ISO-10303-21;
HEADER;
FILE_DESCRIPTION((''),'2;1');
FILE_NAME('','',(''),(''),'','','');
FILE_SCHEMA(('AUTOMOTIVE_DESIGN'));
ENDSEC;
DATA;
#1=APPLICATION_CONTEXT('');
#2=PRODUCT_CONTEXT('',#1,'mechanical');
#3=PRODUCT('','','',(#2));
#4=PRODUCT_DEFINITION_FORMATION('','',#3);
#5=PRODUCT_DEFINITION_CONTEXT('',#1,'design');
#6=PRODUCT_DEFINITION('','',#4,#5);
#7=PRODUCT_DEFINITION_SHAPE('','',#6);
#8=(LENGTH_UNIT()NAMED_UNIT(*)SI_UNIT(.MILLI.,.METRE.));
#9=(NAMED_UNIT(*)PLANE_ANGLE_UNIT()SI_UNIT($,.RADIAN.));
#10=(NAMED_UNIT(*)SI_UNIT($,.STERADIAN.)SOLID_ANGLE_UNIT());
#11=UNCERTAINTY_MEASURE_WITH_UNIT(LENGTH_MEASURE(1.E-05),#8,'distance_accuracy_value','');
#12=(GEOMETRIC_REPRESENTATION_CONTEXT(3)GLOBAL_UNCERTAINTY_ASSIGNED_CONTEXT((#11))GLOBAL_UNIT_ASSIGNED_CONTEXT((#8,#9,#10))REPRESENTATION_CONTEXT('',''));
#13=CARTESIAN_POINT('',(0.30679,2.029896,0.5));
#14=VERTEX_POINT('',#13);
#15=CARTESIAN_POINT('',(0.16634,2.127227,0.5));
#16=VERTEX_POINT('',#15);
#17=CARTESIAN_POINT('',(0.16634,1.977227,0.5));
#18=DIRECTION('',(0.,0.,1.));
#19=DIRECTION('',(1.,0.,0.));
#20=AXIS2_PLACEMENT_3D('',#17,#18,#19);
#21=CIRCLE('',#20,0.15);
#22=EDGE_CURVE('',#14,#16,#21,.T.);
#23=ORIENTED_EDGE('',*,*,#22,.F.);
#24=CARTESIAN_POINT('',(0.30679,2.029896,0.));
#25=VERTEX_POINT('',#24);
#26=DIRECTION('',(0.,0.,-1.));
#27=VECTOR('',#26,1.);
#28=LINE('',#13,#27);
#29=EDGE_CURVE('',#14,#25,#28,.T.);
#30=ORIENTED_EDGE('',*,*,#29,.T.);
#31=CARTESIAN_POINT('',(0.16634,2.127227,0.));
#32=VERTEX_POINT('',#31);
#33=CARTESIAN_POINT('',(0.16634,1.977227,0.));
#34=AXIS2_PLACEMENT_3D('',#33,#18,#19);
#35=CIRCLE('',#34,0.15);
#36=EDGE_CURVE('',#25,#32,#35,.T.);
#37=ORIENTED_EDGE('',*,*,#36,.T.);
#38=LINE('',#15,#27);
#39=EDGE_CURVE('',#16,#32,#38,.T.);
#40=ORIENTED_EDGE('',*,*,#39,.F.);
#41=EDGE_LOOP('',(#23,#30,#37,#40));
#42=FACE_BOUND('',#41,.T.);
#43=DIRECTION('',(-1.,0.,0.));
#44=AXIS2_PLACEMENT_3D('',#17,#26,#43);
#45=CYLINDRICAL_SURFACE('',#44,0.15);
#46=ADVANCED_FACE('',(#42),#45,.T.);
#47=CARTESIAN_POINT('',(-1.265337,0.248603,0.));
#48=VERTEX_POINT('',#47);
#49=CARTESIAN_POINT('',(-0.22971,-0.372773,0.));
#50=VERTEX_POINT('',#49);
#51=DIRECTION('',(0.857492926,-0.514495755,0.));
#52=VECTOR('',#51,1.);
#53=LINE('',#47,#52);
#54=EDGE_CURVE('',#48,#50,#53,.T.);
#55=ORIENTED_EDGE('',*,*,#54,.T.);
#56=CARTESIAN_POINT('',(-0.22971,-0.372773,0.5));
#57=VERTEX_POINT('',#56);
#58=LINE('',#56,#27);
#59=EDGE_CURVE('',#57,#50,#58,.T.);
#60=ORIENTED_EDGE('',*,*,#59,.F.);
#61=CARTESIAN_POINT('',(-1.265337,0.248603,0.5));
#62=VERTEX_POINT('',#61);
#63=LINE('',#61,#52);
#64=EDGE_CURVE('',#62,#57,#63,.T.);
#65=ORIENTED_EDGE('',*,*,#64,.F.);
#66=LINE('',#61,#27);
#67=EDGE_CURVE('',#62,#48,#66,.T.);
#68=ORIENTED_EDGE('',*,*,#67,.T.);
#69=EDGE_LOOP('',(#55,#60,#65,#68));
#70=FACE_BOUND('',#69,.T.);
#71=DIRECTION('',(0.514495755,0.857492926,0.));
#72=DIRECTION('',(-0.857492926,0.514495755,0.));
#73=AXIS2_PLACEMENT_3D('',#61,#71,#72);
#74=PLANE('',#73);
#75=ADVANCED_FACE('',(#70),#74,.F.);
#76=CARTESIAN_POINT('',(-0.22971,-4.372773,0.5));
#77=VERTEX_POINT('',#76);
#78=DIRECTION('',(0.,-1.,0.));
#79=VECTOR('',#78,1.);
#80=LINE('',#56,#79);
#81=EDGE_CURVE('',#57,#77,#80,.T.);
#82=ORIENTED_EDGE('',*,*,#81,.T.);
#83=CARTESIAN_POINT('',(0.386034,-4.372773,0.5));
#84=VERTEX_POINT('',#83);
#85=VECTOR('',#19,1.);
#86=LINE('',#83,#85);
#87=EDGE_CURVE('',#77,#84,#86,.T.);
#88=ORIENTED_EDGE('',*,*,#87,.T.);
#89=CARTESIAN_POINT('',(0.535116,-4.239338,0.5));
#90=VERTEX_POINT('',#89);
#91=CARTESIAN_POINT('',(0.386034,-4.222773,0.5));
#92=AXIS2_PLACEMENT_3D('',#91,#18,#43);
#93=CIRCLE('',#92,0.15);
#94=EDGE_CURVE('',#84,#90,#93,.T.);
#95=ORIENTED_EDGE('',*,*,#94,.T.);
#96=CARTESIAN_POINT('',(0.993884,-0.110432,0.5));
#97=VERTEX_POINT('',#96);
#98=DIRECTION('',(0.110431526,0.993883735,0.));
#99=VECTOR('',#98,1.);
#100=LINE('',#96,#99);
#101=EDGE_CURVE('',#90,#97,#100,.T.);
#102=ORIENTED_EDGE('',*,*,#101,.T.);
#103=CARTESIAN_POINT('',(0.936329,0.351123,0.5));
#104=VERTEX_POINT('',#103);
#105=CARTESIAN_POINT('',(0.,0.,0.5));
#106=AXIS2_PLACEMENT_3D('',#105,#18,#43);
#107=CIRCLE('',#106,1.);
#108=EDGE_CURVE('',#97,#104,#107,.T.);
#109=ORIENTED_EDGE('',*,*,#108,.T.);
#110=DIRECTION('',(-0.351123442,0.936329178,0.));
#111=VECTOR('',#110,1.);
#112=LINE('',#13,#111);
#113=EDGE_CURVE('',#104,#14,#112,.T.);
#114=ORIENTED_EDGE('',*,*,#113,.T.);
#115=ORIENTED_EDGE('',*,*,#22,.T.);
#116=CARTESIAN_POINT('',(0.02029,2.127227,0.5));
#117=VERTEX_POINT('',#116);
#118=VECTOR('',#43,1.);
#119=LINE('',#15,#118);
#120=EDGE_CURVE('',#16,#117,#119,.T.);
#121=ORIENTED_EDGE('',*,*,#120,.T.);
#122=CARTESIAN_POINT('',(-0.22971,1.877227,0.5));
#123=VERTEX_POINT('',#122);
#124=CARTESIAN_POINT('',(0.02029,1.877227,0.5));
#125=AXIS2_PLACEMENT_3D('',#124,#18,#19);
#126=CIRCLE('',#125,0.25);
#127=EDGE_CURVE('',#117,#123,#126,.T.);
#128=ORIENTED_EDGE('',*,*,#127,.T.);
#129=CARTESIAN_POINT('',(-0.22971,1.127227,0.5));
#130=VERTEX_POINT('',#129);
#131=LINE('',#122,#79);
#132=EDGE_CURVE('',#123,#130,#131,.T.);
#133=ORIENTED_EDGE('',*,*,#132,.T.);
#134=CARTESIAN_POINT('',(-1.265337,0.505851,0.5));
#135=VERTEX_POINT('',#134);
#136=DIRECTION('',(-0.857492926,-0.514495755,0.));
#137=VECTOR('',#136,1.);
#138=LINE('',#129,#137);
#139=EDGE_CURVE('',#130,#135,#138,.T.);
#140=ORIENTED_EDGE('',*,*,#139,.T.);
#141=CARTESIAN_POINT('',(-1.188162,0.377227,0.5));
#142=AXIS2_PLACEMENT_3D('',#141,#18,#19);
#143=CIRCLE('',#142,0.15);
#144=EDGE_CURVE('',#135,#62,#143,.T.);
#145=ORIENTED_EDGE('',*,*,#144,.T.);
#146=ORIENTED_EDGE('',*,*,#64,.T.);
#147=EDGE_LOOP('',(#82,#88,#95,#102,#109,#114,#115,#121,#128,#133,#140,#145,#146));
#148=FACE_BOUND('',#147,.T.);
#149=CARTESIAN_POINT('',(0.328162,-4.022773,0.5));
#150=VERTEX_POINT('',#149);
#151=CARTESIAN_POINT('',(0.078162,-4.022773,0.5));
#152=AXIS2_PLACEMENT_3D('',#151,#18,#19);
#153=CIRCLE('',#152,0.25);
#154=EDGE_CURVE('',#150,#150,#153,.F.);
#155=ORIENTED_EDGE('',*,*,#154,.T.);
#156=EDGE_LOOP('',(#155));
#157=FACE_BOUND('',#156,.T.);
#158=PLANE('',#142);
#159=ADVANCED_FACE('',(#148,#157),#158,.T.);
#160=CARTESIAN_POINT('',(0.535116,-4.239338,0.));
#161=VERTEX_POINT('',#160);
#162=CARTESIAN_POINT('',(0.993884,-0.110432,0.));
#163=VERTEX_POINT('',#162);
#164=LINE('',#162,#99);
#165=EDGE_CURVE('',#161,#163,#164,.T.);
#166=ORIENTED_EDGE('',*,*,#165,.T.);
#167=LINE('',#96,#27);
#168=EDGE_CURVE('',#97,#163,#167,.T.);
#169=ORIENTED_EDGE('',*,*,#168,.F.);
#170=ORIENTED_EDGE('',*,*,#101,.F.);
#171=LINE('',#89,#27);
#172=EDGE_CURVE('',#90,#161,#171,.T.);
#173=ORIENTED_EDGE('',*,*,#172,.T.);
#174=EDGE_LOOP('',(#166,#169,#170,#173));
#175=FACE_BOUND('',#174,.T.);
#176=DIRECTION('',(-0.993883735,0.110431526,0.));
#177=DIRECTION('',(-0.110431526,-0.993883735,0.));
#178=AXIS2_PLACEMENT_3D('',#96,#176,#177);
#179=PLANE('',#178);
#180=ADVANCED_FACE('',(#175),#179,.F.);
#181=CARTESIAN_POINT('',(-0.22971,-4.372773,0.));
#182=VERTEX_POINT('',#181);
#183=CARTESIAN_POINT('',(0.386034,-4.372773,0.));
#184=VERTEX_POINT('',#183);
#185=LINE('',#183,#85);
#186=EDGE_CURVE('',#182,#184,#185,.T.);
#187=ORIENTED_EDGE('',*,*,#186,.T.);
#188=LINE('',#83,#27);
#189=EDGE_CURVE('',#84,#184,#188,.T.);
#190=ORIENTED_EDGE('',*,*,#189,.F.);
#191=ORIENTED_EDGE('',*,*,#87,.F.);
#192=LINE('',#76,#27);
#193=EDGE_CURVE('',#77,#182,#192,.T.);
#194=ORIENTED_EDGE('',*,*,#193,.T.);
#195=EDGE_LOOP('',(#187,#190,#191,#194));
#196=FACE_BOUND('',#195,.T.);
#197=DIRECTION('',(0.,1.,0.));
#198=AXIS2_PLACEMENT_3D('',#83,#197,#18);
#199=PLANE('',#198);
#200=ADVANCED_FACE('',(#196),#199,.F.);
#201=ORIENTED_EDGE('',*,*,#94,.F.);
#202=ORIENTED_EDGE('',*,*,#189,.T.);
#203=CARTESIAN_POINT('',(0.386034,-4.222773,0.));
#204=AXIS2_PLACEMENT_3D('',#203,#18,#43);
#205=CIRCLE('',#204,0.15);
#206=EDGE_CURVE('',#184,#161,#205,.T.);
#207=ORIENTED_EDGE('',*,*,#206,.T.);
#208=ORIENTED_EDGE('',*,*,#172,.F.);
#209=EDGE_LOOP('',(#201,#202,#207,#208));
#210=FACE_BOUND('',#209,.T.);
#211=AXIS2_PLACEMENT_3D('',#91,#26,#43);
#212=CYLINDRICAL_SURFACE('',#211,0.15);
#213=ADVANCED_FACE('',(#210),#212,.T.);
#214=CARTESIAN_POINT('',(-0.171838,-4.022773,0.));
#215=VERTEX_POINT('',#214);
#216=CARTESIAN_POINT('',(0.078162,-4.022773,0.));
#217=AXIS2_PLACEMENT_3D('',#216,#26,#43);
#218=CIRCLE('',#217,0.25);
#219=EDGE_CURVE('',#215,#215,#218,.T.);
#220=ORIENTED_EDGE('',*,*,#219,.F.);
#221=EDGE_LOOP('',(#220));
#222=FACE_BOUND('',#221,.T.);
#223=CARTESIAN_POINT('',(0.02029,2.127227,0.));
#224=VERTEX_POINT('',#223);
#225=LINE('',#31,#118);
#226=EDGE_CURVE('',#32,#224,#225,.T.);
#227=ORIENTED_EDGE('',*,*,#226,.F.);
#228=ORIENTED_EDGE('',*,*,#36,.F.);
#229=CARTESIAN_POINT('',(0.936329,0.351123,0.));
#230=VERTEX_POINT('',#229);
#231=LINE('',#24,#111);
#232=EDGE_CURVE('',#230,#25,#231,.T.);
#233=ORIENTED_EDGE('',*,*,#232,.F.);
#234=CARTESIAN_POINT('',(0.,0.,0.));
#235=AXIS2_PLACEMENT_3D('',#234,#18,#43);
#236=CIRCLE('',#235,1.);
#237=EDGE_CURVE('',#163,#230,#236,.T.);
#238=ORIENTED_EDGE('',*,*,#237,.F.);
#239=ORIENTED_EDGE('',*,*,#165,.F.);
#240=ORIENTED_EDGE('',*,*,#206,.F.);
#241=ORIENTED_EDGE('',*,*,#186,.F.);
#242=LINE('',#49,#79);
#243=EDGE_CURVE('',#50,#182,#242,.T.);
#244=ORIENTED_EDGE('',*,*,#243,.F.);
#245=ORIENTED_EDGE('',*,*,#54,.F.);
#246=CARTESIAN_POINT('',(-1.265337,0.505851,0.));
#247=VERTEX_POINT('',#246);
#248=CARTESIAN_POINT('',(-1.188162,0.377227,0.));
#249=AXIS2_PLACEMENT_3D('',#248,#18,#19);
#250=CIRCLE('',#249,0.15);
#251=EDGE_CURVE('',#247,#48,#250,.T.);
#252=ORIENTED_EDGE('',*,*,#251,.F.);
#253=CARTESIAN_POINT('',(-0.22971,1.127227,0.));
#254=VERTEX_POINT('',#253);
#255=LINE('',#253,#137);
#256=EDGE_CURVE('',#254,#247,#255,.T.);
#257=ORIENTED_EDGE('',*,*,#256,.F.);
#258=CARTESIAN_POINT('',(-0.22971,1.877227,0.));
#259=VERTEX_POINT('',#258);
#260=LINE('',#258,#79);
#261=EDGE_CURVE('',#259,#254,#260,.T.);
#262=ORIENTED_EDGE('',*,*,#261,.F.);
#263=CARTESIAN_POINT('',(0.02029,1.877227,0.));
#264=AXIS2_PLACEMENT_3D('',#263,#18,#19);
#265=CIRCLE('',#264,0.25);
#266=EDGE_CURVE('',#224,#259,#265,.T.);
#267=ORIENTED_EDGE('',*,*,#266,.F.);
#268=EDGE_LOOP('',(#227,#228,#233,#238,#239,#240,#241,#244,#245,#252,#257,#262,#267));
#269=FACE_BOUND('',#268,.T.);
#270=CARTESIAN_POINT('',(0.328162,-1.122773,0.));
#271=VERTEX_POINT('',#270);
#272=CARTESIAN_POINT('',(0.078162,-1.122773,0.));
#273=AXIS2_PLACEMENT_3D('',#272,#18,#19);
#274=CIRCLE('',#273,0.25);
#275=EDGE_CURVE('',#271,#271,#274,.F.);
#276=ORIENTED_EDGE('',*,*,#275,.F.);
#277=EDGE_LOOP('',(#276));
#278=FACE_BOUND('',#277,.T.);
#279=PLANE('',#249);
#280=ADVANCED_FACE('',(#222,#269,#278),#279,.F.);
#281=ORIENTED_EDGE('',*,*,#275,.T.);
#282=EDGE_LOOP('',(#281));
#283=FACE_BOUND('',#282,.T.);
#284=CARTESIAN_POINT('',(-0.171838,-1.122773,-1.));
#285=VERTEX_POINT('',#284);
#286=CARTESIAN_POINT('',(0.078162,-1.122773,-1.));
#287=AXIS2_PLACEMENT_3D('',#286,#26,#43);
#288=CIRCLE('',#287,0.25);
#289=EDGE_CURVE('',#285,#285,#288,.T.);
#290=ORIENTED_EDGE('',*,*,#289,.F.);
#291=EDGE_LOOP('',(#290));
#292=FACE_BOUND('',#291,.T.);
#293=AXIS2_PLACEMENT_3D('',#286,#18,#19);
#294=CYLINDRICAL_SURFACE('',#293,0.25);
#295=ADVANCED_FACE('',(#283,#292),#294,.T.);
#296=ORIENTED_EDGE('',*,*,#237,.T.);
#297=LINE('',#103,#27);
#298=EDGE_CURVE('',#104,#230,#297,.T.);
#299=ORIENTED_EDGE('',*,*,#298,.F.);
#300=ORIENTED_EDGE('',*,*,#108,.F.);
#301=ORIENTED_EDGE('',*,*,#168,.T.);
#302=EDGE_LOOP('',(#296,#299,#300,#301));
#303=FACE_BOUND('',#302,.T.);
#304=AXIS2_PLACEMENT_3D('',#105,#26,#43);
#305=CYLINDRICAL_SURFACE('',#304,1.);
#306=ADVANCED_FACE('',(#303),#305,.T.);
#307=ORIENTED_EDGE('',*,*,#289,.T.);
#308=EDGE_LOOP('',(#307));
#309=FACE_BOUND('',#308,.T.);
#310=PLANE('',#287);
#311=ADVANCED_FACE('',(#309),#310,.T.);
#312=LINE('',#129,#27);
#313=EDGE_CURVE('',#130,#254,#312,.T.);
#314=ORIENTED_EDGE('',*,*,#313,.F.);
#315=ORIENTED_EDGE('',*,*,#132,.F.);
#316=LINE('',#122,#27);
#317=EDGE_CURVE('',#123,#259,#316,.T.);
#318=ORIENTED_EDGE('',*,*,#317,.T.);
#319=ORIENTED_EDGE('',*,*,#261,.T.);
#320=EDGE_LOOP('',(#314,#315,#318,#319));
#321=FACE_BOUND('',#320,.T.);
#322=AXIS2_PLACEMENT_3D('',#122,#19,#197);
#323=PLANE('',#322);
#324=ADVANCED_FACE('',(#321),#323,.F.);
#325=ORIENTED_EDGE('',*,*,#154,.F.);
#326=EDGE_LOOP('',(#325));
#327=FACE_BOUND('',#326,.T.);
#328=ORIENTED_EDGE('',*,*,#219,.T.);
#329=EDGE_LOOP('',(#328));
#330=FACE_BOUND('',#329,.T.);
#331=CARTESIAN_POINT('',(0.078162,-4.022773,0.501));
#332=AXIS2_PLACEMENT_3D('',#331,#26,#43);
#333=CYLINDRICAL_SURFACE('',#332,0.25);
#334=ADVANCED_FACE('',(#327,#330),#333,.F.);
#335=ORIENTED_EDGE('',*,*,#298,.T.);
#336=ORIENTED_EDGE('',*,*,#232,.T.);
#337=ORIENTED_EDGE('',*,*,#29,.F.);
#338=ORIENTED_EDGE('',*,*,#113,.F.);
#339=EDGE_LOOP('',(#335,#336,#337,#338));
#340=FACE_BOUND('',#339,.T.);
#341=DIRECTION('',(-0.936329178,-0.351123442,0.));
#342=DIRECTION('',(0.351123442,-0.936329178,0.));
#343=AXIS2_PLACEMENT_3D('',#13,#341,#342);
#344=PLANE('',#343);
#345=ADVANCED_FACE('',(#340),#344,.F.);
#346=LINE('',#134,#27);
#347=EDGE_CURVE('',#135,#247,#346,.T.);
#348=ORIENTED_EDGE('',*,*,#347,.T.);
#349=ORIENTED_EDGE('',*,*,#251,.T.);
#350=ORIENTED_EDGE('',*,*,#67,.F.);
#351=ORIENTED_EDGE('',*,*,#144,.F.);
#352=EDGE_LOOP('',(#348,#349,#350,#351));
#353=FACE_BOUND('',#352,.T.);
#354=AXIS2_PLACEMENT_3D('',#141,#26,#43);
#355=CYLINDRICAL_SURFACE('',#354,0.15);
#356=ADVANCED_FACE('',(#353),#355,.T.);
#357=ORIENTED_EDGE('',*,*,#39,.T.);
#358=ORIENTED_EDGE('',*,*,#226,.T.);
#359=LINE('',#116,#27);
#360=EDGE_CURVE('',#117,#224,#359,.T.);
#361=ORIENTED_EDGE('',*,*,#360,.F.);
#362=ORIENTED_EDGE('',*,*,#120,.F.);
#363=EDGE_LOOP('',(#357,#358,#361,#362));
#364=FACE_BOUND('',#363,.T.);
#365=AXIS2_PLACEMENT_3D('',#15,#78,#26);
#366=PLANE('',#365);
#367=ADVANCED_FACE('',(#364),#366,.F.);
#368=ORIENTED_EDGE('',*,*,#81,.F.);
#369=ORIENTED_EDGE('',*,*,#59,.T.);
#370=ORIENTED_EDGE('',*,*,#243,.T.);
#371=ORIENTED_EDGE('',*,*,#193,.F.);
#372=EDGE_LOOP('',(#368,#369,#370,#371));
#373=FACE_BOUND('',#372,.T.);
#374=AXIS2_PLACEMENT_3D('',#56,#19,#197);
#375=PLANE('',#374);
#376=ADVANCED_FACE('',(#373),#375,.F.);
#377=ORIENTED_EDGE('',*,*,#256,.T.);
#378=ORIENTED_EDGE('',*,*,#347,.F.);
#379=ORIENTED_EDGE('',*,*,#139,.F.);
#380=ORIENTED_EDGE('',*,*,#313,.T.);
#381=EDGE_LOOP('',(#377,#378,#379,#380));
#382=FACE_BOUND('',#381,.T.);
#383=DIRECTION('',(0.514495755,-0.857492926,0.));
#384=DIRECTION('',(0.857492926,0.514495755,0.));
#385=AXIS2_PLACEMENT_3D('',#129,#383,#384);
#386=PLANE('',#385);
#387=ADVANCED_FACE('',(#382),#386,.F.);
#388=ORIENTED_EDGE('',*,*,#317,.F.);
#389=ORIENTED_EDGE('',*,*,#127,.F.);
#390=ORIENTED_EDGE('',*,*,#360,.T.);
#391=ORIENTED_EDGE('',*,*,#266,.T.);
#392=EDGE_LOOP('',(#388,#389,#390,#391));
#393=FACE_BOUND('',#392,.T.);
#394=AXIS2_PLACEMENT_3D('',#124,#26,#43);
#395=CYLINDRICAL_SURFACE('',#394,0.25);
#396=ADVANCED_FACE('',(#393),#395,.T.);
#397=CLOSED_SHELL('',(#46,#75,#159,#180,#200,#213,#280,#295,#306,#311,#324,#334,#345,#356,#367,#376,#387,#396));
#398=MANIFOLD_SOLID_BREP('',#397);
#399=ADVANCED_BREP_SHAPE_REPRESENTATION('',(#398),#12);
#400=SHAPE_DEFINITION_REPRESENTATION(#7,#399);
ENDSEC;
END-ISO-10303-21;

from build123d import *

# Parameters (mm, degrees)
SALIENTE_EXTRUIR1_DEPTH = 0.5
CROQUIS3_R              = 0.25
SALIENTE_EXTRUIR3_DEPTH = 1
CORTAR_EXTRUIR1_REACH   = 2.5
CROQUIS2_R              = 0.25


with BuildPart() as part:
    # Croquis1 → Saliente-Extruir1 (new body)
    with BuildSketch(Plane.XY):
        with BuildLine():
            Line((0.306789568, 2.029895733), (0.936329178, 0.351123442))
            ThreePointArc((0.936329178, 0.351123442), (0.992314828, 0.123738762), (0.993883735, -0.110431526))
            Line((0.993883735, -0.110431526), (0.535116403, -4.239337512))
            ThreePointArc((0.535116403, -4.239337512), (0.486072062, -4.334541985), (0.386033843, -4.372772783))
            Line((0.386033843, -4.372772783), (-0.229709738, -4.372772783))
            Line((-0.229709738, -4.372772783), (-0.229709738, -0.372772783))
            Line((-0.229709738, -0.372772783), (-1.265336507, 0.248603278))
            ThreePointArc((-1.265336507, 0.248603278), (-1.338162144, 0.377227217), (-1.265336507, 0.505851156))
            Line((-1.265336507, 0.505851156), (-0.229709738, 1.127227217))
            Line((-0.229709738, 1.127227217), (-0.229709738, 1.877227217))
            ThreePointArc((-0.229709738, 1.877227217), (-0.156486434, 2.054003913), (0.020290262, 2.127227217))
            Line((0.020290262, 2.127227217), (0.166340191, 2.127227217))
            ThreePointArc((0.166340191, 2.127227217), (0.251779417, 2.10051606), (0.306789568, 2.029895733))
        make_face()
    extrude(amount=SALIENTE_EXTRUIR1_DEPTH)

    # Croquis3 → Saliente-Extruir3 (add)
    with BuildSketch(Plane(origin=(0, 0, 0), x_dir=(-1, 0, 0), z_dir=(0, 0, -1))):
        with Locations((-0.078162052, -1.122772783)):
            Circle(CROQUIS3_R)
    extrude(amount=SALIENTE_EXTRUIR3_DEPTH)

    # Croquis2 → Cortar-Extruir1 (cut, up to next)
    with BuildSketch(Plane(origin=(0, 0, 0), x_dir=(-1, 0, 0), z_dir=(0, 0, -1)), mode=Mode.PRIVATE) as cortar_extruir1_sk1:
        with Locations((-0.078162052, -4.022772783)):
            Circle(CROQUIS2_R)
    cortar_extruir1_tool1 = extrude(cortar_extruir1_sk1.sketch, amount=-CORTAR_EXTRUIR1_REACH, mode=Mode.PRIVATE) & part.part
    add(cortar_extruir1_tool1.solids().sort_by_distance((0.078162, -4.022773, 0))[0], mode=Mode.SUBTRACT)


solid = part.part
